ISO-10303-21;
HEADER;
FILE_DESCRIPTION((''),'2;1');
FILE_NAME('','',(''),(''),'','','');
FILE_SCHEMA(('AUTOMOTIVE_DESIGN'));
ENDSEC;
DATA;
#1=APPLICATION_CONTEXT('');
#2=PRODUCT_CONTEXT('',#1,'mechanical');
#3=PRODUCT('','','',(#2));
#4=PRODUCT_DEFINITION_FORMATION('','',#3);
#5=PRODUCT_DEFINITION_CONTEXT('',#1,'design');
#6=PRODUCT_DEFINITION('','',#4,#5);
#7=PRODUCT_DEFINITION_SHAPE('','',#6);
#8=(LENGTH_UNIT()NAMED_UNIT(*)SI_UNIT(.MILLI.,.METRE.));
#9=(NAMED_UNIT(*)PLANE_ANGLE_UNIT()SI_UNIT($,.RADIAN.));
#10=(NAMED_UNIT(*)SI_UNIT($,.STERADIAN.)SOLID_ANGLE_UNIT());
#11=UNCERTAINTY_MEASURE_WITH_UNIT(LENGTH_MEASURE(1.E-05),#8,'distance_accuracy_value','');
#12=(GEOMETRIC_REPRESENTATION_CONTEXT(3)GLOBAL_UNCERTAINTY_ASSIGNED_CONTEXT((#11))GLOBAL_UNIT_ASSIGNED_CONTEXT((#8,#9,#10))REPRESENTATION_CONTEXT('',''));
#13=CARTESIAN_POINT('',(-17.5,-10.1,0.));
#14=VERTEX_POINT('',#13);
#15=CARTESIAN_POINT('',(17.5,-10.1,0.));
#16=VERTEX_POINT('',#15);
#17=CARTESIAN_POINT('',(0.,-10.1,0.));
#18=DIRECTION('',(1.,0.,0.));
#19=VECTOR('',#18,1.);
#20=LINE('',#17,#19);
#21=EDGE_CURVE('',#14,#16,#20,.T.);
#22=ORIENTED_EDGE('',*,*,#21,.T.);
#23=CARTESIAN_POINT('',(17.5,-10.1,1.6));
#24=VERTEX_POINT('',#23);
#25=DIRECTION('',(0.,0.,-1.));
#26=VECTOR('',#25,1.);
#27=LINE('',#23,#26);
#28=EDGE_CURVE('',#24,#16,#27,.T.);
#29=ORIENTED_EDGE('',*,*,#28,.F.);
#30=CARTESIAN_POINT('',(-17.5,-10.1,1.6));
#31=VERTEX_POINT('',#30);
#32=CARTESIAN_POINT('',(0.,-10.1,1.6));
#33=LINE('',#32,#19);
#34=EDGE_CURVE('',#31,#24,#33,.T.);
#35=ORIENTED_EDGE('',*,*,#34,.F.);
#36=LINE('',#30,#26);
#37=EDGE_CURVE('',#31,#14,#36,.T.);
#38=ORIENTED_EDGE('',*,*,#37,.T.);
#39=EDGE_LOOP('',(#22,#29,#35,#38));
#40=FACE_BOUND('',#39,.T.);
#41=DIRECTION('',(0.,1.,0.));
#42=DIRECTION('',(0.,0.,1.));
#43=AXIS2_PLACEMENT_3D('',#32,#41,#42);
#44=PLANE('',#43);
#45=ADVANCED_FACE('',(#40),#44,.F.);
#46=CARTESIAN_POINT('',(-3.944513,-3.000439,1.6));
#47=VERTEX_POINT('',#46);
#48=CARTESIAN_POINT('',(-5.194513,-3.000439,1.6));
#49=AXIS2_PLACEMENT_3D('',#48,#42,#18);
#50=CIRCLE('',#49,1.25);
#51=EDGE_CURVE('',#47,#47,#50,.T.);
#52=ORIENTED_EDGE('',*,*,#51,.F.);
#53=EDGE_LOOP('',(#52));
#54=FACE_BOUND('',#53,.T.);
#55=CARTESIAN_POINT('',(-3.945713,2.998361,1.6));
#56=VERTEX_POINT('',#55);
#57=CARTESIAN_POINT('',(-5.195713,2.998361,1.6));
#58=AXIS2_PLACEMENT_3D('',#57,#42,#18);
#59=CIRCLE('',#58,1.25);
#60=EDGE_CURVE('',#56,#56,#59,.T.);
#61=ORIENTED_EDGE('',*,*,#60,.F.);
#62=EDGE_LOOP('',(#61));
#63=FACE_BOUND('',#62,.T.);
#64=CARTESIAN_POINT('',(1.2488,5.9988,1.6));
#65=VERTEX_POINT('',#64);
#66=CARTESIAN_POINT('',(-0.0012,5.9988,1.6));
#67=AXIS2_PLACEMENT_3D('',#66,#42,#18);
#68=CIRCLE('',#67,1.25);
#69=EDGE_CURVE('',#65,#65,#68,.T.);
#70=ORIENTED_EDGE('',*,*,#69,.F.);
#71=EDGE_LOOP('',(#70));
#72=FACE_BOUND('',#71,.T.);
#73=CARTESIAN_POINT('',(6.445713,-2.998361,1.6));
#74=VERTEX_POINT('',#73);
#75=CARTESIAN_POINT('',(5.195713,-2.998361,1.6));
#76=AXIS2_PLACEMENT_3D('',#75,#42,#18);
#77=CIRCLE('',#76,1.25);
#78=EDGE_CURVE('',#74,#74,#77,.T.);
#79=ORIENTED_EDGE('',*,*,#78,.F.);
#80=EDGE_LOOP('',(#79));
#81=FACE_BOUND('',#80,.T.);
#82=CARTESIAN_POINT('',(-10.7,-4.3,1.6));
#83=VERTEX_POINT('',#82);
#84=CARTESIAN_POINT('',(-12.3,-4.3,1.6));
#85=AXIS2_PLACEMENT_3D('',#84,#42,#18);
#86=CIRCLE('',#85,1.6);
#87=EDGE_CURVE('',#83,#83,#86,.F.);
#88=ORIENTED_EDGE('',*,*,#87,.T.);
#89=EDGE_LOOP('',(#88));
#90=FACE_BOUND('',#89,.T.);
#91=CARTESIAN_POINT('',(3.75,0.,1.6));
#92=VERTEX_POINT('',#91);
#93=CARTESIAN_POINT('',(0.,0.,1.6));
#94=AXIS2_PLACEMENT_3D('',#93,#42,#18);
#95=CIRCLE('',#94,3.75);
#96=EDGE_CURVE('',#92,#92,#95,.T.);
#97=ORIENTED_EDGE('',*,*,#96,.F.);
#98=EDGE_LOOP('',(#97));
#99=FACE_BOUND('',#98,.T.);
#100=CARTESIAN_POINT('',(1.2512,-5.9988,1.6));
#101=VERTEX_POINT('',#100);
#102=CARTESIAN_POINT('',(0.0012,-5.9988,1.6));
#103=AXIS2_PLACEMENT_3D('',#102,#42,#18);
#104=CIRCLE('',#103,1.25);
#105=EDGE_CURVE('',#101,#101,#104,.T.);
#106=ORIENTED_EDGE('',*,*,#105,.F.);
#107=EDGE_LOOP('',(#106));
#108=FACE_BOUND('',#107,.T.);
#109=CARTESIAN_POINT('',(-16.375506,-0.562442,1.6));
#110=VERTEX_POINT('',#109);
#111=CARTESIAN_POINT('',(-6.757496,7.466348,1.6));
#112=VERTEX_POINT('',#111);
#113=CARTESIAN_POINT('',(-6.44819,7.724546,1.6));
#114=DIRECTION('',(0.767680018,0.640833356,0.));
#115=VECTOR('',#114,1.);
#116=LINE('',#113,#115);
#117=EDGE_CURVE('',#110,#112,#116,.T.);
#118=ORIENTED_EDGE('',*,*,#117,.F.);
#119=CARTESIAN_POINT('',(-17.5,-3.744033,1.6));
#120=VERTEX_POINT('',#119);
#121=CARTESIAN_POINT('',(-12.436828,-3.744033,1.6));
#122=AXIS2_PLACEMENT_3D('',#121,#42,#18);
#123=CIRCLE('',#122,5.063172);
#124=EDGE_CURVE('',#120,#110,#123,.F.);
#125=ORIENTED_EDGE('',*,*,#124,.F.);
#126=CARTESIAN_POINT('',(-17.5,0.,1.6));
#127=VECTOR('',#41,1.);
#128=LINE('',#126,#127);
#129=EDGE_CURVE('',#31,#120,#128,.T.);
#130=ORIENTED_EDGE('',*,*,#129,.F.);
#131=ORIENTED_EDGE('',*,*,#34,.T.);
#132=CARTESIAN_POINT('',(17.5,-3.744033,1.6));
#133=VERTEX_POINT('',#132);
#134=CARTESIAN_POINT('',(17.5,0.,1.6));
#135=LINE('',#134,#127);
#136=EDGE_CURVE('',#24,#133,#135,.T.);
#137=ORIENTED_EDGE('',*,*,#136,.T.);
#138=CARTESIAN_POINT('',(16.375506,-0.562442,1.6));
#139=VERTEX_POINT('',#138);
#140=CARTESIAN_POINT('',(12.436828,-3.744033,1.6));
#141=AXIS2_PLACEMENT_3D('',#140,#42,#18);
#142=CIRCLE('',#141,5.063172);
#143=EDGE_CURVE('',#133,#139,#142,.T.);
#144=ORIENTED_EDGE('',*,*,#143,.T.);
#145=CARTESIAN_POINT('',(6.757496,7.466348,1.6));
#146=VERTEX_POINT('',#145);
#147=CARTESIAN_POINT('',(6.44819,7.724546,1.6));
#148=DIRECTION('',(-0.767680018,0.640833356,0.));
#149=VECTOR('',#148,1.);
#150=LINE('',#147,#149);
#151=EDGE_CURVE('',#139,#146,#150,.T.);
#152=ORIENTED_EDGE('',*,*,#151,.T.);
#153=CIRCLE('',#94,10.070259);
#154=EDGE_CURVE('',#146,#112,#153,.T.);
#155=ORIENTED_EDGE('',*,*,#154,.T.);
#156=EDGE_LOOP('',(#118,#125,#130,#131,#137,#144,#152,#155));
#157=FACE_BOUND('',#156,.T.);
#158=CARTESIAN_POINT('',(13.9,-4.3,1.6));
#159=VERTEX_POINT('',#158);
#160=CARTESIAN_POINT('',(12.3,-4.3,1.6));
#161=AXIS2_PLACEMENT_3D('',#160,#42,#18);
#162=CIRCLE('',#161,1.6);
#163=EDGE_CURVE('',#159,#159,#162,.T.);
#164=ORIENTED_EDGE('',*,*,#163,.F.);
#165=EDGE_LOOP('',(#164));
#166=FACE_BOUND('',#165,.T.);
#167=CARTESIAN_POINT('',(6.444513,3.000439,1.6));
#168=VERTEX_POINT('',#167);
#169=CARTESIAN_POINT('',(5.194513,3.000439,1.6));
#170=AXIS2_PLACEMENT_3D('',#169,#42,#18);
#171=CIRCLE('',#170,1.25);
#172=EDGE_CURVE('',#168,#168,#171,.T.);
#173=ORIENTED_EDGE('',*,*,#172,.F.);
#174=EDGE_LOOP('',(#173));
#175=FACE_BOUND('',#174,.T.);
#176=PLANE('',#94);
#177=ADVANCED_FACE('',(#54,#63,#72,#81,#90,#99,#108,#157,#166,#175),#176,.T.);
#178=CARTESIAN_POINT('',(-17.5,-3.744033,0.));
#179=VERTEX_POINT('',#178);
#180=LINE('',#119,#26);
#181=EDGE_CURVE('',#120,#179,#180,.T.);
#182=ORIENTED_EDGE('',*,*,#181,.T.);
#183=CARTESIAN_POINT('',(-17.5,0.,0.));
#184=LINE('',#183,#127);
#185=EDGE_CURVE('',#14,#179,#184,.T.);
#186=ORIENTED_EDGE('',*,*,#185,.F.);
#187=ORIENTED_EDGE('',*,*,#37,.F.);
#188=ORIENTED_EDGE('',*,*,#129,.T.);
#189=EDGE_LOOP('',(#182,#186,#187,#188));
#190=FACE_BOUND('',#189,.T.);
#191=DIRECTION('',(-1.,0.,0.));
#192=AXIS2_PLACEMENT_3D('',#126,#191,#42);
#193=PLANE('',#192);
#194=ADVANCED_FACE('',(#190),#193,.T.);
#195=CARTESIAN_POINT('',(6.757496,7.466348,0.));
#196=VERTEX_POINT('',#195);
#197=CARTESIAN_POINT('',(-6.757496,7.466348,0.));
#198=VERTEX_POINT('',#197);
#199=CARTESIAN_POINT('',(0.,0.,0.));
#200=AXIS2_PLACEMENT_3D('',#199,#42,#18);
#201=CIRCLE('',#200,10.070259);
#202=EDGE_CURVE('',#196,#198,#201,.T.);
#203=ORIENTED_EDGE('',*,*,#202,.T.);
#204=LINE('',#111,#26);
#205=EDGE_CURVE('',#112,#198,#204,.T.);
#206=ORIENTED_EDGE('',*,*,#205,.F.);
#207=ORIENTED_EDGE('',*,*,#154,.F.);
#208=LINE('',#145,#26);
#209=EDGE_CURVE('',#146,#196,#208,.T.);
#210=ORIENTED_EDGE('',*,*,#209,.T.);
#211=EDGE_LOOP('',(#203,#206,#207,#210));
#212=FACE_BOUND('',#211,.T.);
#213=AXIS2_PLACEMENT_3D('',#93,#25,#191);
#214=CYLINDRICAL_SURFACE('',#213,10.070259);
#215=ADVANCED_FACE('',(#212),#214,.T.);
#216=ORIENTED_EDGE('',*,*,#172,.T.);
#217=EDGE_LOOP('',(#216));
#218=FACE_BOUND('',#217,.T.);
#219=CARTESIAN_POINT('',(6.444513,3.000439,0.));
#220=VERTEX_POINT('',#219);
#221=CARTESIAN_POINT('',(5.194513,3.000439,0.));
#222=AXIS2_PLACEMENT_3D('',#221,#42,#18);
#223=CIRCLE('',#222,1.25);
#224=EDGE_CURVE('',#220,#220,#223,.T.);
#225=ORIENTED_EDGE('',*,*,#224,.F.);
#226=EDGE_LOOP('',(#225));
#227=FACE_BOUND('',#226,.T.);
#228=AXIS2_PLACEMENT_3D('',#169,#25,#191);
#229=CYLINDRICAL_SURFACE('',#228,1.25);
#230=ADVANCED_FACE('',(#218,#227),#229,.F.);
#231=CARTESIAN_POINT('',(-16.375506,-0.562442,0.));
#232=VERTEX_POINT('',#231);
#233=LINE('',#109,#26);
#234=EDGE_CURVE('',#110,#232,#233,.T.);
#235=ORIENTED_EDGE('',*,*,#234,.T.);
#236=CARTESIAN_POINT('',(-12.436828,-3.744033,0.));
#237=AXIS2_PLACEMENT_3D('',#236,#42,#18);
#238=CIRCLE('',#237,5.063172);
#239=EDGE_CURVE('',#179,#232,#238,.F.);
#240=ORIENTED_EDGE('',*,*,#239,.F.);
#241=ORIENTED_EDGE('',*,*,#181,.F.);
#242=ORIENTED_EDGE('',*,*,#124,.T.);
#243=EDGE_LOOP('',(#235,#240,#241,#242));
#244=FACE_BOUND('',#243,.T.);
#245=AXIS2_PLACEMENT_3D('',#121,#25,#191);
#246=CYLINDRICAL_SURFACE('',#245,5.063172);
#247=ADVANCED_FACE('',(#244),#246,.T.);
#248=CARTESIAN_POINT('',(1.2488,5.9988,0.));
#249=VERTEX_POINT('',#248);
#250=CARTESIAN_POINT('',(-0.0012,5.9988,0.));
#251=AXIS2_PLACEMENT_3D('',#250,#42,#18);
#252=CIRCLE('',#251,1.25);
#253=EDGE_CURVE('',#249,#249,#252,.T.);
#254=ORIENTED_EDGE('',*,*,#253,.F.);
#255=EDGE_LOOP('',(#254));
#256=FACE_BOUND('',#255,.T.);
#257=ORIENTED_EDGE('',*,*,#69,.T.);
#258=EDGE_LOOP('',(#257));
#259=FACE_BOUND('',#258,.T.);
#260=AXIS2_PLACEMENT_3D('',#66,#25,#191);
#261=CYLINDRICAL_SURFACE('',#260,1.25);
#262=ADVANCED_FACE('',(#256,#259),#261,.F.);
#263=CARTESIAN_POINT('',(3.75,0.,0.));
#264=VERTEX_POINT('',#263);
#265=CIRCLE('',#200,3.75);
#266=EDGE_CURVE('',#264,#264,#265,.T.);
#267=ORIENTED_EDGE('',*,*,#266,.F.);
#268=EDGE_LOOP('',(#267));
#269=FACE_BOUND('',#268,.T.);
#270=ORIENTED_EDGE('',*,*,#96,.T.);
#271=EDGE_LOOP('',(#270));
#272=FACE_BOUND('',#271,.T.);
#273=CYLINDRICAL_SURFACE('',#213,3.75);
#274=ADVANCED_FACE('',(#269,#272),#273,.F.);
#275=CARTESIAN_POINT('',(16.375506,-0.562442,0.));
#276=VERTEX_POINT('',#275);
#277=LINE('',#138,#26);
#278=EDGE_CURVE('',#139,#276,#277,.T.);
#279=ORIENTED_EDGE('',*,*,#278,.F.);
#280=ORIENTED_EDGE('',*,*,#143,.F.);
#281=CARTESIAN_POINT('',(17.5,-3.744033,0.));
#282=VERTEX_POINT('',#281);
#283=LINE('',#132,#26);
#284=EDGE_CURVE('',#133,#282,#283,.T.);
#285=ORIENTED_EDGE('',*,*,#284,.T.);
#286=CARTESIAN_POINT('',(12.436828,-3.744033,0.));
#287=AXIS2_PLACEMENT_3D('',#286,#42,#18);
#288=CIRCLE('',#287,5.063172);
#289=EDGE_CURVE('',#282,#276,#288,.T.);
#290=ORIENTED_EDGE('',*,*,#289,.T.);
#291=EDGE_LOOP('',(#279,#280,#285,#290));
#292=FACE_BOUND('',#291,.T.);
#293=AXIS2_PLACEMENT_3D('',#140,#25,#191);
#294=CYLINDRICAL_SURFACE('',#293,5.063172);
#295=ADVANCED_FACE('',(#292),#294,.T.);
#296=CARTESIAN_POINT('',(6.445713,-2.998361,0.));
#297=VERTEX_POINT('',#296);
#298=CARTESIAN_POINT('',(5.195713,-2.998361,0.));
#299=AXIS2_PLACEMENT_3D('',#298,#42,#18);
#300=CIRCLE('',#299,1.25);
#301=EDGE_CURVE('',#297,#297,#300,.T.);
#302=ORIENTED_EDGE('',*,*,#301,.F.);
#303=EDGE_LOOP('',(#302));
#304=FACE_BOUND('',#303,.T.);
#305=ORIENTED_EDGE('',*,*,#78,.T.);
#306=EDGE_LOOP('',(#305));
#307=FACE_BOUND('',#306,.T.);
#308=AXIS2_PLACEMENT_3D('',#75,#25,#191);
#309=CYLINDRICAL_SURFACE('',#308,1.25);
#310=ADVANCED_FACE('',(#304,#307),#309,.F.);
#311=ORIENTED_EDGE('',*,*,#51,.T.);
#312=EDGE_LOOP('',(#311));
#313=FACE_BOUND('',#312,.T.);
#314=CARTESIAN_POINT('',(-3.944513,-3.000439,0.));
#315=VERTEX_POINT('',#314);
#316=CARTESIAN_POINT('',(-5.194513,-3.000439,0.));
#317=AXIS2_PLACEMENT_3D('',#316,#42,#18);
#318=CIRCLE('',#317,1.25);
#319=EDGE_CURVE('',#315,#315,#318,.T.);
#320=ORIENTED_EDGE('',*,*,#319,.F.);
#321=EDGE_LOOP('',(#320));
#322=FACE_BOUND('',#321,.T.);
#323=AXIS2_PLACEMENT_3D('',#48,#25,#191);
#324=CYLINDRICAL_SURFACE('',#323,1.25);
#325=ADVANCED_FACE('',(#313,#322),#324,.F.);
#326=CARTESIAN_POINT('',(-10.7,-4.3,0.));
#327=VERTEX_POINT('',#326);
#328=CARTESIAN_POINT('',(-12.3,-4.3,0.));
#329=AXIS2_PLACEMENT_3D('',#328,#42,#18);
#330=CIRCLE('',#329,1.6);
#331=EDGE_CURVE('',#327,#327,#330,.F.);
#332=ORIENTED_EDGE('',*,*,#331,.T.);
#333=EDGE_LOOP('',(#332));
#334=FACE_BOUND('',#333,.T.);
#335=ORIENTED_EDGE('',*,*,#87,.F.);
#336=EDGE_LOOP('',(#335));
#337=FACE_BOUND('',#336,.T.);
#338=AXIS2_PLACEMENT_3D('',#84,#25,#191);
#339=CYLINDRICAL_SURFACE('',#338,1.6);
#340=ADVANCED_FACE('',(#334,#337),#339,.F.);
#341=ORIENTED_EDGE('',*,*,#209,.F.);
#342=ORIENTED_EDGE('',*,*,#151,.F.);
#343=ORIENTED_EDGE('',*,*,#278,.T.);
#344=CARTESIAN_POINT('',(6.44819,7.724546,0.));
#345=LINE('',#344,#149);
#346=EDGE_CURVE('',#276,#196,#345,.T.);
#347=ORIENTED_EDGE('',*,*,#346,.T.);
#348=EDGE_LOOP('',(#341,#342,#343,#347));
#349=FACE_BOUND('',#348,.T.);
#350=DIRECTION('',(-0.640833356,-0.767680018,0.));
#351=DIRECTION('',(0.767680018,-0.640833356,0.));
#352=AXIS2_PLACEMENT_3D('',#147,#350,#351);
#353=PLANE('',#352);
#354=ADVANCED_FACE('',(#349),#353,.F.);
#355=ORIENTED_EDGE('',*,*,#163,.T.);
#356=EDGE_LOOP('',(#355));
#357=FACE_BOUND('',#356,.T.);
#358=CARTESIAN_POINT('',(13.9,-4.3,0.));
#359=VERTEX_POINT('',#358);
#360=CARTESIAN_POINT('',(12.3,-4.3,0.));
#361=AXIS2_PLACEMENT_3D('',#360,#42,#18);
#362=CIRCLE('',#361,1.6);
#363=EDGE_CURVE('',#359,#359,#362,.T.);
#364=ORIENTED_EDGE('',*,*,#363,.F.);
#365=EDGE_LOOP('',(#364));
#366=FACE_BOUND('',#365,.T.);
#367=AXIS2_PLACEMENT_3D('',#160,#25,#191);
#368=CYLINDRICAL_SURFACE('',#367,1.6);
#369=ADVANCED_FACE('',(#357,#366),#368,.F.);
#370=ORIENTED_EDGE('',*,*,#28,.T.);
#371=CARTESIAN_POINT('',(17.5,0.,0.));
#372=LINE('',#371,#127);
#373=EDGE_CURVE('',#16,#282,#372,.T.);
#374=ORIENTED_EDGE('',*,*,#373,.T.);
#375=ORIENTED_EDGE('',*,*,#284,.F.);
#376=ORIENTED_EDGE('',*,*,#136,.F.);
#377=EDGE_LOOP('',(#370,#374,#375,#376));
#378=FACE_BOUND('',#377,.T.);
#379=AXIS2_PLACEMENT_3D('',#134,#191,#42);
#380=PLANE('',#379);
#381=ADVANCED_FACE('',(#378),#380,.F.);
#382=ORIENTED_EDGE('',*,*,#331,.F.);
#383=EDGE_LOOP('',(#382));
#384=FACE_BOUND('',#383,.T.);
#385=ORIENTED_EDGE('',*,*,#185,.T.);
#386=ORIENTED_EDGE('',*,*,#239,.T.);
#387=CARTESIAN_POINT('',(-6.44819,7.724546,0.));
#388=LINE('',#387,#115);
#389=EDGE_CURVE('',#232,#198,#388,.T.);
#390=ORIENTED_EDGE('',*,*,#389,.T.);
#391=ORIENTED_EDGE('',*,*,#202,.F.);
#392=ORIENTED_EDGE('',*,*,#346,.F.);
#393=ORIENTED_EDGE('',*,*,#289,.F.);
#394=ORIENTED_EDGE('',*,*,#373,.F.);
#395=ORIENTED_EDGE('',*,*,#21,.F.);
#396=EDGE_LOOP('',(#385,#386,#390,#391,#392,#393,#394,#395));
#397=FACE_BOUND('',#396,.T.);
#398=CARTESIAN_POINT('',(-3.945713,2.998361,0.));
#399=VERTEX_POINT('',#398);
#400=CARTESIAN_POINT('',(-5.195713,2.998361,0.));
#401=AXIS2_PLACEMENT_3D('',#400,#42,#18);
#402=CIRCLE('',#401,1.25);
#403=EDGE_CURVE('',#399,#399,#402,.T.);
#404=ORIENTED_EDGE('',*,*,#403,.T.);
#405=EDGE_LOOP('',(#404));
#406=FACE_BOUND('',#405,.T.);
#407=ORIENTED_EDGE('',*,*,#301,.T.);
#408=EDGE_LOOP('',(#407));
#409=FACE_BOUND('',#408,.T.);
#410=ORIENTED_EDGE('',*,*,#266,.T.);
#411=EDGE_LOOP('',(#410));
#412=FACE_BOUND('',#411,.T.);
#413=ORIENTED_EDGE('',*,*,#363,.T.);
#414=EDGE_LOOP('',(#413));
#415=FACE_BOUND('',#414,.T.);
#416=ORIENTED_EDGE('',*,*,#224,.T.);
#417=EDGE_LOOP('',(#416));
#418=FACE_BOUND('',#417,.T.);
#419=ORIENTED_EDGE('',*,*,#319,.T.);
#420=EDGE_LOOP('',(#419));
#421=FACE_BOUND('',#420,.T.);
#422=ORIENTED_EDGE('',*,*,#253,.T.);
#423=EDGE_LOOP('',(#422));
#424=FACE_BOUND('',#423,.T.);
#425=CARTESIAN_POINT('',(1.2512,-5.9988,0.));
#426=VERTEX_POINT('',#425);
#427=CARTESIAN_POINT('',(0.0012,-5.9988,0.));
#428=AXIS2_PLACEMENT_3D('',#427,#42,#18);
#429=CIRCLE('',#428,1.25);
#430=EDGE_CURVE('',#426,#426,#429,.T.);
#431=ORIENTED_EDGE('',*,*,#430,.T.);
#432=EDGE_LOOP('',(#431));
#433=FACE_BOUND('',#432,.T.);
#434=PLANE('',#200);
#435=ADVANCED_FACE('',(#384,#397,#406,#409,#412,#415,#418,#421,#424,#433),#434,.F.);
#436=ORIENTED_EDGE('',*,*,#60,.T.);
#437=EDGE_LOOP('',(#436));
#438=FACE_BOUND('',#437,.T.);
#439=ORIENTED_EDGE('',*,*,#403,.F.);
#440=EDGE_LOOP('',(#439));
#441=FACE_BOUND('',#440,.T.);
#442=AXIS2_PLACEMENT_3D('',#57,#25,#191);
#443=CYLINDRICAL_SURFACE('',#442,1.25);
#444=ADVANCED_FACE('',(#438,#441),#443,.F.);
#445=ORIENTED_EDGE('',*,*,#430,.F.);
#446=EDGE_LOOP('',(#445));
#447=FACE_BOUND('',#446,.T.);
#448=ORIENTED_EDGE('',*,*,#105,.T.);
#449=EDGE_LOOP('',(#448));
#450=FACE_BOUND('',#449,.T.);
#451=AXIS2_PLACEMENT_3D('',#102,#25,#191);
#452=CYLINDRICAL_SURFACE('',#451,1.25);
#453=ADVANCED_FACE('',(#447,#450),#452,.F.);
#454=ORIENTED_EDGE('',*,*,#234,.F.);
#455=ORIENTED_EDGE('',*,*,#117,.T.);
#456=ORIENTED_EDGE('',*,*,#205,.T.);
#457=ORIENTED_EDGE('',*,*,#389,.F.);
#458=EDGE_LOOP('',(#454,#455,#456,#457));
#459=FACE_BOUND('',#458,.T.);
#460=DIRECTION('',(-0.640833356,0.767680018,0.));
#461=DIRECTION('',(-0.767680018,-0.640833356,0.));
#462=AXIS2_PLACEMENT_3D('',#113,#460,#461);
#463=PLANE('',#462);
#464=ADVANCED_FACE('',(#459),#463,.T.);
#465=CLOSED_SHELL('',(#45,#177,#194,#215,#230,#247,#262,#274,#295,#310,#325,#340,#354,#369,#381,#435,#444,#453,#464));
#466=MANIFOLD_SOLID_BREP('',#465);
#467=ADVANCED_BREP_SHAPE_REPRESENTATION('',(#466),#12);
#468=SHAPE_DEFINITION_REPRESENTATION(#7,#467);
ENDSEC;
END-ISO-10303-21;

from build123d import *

# Parameters (mm, degrees)
CROQUIS1_R              = 3.75
CROQUIS1_R_2            = 1.249999997
CROQUIS1_R_3            = 1.25
CROQUIS1_R_4            = 1.250000007
CROQUIS1_R_5            = 1.6
SALIENTE_EXTRUIR1_DEPTH = 1.6


with BuildPart() as part:
    # Croquis1 → Saliente-Extruir1 (new body)
    with BuildSketch(Plane.XY):
        with BuildLine():
            Line((-17.5, -10.1), (17.5, -10.1))
            Line((17.5, -10.1), (17.5, -3.744033218))
            ThreePointArc((17.5, -3.744033218), (17.210606187, -2.056801008), (16.375506293, -0.562441789))
            Line((16.375506293, -0.562441789), (6.757496482, 7.466348016))
            ThreePointArc((6.757496482, 7.466348016), (0, 10.070258755), (-6.757496482, 7.466348016))
            Line((-6.757496482, 7.466348016), (-16.375506293, -0.562441789))
            ThreePointArc((-16.375506293, -0.562441789), (-17.210606187, -2.056801008), (-17.5, -3.744033218))
            Line((-17.5, -3.744033218), (-17.5, -10.1))
        make_face()
        Circle(CROQUIS1_R, mode=Mode.SUBTRACT)
        with Locations((-0.0012, 5.99880001)):
            Circle(CROQUIS1_R_2, mode=Mode.SUBTRACT)
        with Locations((5.194513192, 3.000439231)):
            Circle(CROQUIS1_R_3, mode=Mode.SUBTRACT)
        with Locations((5.195713192, -2.998360769)):
            Circle(CROQUIS1_R_3, mode=Mode.SUBTRACT)
        with Locations((0.0012, -5.9988)):
            Circle(CROQUIS1_R_3, mode=Mode.SUBTRACT)
        with Locations((-5.194513192, -3.00043923)):
            Circle(CROQUIS1_R_3, mode=Mode.SUBTRACT)
        with Locations((-5.195713248, 2.998360802)):
            Circle(CROQUIS1_R_4, mode=Mode.SUBTRACT)
        with Locations((12.3, -4.3)):
            Circle(CROQUIS1_R_5, mode=Mode.SUBTRACT)
        with Locations((-12.3, -4.3)):
            Circle(CROQUIS1_R_5, mode=Mode.SUBTRACT)
    extrude(amount=SALIENTE_EXTRUIR1_DEPTH)


solid = part.part
